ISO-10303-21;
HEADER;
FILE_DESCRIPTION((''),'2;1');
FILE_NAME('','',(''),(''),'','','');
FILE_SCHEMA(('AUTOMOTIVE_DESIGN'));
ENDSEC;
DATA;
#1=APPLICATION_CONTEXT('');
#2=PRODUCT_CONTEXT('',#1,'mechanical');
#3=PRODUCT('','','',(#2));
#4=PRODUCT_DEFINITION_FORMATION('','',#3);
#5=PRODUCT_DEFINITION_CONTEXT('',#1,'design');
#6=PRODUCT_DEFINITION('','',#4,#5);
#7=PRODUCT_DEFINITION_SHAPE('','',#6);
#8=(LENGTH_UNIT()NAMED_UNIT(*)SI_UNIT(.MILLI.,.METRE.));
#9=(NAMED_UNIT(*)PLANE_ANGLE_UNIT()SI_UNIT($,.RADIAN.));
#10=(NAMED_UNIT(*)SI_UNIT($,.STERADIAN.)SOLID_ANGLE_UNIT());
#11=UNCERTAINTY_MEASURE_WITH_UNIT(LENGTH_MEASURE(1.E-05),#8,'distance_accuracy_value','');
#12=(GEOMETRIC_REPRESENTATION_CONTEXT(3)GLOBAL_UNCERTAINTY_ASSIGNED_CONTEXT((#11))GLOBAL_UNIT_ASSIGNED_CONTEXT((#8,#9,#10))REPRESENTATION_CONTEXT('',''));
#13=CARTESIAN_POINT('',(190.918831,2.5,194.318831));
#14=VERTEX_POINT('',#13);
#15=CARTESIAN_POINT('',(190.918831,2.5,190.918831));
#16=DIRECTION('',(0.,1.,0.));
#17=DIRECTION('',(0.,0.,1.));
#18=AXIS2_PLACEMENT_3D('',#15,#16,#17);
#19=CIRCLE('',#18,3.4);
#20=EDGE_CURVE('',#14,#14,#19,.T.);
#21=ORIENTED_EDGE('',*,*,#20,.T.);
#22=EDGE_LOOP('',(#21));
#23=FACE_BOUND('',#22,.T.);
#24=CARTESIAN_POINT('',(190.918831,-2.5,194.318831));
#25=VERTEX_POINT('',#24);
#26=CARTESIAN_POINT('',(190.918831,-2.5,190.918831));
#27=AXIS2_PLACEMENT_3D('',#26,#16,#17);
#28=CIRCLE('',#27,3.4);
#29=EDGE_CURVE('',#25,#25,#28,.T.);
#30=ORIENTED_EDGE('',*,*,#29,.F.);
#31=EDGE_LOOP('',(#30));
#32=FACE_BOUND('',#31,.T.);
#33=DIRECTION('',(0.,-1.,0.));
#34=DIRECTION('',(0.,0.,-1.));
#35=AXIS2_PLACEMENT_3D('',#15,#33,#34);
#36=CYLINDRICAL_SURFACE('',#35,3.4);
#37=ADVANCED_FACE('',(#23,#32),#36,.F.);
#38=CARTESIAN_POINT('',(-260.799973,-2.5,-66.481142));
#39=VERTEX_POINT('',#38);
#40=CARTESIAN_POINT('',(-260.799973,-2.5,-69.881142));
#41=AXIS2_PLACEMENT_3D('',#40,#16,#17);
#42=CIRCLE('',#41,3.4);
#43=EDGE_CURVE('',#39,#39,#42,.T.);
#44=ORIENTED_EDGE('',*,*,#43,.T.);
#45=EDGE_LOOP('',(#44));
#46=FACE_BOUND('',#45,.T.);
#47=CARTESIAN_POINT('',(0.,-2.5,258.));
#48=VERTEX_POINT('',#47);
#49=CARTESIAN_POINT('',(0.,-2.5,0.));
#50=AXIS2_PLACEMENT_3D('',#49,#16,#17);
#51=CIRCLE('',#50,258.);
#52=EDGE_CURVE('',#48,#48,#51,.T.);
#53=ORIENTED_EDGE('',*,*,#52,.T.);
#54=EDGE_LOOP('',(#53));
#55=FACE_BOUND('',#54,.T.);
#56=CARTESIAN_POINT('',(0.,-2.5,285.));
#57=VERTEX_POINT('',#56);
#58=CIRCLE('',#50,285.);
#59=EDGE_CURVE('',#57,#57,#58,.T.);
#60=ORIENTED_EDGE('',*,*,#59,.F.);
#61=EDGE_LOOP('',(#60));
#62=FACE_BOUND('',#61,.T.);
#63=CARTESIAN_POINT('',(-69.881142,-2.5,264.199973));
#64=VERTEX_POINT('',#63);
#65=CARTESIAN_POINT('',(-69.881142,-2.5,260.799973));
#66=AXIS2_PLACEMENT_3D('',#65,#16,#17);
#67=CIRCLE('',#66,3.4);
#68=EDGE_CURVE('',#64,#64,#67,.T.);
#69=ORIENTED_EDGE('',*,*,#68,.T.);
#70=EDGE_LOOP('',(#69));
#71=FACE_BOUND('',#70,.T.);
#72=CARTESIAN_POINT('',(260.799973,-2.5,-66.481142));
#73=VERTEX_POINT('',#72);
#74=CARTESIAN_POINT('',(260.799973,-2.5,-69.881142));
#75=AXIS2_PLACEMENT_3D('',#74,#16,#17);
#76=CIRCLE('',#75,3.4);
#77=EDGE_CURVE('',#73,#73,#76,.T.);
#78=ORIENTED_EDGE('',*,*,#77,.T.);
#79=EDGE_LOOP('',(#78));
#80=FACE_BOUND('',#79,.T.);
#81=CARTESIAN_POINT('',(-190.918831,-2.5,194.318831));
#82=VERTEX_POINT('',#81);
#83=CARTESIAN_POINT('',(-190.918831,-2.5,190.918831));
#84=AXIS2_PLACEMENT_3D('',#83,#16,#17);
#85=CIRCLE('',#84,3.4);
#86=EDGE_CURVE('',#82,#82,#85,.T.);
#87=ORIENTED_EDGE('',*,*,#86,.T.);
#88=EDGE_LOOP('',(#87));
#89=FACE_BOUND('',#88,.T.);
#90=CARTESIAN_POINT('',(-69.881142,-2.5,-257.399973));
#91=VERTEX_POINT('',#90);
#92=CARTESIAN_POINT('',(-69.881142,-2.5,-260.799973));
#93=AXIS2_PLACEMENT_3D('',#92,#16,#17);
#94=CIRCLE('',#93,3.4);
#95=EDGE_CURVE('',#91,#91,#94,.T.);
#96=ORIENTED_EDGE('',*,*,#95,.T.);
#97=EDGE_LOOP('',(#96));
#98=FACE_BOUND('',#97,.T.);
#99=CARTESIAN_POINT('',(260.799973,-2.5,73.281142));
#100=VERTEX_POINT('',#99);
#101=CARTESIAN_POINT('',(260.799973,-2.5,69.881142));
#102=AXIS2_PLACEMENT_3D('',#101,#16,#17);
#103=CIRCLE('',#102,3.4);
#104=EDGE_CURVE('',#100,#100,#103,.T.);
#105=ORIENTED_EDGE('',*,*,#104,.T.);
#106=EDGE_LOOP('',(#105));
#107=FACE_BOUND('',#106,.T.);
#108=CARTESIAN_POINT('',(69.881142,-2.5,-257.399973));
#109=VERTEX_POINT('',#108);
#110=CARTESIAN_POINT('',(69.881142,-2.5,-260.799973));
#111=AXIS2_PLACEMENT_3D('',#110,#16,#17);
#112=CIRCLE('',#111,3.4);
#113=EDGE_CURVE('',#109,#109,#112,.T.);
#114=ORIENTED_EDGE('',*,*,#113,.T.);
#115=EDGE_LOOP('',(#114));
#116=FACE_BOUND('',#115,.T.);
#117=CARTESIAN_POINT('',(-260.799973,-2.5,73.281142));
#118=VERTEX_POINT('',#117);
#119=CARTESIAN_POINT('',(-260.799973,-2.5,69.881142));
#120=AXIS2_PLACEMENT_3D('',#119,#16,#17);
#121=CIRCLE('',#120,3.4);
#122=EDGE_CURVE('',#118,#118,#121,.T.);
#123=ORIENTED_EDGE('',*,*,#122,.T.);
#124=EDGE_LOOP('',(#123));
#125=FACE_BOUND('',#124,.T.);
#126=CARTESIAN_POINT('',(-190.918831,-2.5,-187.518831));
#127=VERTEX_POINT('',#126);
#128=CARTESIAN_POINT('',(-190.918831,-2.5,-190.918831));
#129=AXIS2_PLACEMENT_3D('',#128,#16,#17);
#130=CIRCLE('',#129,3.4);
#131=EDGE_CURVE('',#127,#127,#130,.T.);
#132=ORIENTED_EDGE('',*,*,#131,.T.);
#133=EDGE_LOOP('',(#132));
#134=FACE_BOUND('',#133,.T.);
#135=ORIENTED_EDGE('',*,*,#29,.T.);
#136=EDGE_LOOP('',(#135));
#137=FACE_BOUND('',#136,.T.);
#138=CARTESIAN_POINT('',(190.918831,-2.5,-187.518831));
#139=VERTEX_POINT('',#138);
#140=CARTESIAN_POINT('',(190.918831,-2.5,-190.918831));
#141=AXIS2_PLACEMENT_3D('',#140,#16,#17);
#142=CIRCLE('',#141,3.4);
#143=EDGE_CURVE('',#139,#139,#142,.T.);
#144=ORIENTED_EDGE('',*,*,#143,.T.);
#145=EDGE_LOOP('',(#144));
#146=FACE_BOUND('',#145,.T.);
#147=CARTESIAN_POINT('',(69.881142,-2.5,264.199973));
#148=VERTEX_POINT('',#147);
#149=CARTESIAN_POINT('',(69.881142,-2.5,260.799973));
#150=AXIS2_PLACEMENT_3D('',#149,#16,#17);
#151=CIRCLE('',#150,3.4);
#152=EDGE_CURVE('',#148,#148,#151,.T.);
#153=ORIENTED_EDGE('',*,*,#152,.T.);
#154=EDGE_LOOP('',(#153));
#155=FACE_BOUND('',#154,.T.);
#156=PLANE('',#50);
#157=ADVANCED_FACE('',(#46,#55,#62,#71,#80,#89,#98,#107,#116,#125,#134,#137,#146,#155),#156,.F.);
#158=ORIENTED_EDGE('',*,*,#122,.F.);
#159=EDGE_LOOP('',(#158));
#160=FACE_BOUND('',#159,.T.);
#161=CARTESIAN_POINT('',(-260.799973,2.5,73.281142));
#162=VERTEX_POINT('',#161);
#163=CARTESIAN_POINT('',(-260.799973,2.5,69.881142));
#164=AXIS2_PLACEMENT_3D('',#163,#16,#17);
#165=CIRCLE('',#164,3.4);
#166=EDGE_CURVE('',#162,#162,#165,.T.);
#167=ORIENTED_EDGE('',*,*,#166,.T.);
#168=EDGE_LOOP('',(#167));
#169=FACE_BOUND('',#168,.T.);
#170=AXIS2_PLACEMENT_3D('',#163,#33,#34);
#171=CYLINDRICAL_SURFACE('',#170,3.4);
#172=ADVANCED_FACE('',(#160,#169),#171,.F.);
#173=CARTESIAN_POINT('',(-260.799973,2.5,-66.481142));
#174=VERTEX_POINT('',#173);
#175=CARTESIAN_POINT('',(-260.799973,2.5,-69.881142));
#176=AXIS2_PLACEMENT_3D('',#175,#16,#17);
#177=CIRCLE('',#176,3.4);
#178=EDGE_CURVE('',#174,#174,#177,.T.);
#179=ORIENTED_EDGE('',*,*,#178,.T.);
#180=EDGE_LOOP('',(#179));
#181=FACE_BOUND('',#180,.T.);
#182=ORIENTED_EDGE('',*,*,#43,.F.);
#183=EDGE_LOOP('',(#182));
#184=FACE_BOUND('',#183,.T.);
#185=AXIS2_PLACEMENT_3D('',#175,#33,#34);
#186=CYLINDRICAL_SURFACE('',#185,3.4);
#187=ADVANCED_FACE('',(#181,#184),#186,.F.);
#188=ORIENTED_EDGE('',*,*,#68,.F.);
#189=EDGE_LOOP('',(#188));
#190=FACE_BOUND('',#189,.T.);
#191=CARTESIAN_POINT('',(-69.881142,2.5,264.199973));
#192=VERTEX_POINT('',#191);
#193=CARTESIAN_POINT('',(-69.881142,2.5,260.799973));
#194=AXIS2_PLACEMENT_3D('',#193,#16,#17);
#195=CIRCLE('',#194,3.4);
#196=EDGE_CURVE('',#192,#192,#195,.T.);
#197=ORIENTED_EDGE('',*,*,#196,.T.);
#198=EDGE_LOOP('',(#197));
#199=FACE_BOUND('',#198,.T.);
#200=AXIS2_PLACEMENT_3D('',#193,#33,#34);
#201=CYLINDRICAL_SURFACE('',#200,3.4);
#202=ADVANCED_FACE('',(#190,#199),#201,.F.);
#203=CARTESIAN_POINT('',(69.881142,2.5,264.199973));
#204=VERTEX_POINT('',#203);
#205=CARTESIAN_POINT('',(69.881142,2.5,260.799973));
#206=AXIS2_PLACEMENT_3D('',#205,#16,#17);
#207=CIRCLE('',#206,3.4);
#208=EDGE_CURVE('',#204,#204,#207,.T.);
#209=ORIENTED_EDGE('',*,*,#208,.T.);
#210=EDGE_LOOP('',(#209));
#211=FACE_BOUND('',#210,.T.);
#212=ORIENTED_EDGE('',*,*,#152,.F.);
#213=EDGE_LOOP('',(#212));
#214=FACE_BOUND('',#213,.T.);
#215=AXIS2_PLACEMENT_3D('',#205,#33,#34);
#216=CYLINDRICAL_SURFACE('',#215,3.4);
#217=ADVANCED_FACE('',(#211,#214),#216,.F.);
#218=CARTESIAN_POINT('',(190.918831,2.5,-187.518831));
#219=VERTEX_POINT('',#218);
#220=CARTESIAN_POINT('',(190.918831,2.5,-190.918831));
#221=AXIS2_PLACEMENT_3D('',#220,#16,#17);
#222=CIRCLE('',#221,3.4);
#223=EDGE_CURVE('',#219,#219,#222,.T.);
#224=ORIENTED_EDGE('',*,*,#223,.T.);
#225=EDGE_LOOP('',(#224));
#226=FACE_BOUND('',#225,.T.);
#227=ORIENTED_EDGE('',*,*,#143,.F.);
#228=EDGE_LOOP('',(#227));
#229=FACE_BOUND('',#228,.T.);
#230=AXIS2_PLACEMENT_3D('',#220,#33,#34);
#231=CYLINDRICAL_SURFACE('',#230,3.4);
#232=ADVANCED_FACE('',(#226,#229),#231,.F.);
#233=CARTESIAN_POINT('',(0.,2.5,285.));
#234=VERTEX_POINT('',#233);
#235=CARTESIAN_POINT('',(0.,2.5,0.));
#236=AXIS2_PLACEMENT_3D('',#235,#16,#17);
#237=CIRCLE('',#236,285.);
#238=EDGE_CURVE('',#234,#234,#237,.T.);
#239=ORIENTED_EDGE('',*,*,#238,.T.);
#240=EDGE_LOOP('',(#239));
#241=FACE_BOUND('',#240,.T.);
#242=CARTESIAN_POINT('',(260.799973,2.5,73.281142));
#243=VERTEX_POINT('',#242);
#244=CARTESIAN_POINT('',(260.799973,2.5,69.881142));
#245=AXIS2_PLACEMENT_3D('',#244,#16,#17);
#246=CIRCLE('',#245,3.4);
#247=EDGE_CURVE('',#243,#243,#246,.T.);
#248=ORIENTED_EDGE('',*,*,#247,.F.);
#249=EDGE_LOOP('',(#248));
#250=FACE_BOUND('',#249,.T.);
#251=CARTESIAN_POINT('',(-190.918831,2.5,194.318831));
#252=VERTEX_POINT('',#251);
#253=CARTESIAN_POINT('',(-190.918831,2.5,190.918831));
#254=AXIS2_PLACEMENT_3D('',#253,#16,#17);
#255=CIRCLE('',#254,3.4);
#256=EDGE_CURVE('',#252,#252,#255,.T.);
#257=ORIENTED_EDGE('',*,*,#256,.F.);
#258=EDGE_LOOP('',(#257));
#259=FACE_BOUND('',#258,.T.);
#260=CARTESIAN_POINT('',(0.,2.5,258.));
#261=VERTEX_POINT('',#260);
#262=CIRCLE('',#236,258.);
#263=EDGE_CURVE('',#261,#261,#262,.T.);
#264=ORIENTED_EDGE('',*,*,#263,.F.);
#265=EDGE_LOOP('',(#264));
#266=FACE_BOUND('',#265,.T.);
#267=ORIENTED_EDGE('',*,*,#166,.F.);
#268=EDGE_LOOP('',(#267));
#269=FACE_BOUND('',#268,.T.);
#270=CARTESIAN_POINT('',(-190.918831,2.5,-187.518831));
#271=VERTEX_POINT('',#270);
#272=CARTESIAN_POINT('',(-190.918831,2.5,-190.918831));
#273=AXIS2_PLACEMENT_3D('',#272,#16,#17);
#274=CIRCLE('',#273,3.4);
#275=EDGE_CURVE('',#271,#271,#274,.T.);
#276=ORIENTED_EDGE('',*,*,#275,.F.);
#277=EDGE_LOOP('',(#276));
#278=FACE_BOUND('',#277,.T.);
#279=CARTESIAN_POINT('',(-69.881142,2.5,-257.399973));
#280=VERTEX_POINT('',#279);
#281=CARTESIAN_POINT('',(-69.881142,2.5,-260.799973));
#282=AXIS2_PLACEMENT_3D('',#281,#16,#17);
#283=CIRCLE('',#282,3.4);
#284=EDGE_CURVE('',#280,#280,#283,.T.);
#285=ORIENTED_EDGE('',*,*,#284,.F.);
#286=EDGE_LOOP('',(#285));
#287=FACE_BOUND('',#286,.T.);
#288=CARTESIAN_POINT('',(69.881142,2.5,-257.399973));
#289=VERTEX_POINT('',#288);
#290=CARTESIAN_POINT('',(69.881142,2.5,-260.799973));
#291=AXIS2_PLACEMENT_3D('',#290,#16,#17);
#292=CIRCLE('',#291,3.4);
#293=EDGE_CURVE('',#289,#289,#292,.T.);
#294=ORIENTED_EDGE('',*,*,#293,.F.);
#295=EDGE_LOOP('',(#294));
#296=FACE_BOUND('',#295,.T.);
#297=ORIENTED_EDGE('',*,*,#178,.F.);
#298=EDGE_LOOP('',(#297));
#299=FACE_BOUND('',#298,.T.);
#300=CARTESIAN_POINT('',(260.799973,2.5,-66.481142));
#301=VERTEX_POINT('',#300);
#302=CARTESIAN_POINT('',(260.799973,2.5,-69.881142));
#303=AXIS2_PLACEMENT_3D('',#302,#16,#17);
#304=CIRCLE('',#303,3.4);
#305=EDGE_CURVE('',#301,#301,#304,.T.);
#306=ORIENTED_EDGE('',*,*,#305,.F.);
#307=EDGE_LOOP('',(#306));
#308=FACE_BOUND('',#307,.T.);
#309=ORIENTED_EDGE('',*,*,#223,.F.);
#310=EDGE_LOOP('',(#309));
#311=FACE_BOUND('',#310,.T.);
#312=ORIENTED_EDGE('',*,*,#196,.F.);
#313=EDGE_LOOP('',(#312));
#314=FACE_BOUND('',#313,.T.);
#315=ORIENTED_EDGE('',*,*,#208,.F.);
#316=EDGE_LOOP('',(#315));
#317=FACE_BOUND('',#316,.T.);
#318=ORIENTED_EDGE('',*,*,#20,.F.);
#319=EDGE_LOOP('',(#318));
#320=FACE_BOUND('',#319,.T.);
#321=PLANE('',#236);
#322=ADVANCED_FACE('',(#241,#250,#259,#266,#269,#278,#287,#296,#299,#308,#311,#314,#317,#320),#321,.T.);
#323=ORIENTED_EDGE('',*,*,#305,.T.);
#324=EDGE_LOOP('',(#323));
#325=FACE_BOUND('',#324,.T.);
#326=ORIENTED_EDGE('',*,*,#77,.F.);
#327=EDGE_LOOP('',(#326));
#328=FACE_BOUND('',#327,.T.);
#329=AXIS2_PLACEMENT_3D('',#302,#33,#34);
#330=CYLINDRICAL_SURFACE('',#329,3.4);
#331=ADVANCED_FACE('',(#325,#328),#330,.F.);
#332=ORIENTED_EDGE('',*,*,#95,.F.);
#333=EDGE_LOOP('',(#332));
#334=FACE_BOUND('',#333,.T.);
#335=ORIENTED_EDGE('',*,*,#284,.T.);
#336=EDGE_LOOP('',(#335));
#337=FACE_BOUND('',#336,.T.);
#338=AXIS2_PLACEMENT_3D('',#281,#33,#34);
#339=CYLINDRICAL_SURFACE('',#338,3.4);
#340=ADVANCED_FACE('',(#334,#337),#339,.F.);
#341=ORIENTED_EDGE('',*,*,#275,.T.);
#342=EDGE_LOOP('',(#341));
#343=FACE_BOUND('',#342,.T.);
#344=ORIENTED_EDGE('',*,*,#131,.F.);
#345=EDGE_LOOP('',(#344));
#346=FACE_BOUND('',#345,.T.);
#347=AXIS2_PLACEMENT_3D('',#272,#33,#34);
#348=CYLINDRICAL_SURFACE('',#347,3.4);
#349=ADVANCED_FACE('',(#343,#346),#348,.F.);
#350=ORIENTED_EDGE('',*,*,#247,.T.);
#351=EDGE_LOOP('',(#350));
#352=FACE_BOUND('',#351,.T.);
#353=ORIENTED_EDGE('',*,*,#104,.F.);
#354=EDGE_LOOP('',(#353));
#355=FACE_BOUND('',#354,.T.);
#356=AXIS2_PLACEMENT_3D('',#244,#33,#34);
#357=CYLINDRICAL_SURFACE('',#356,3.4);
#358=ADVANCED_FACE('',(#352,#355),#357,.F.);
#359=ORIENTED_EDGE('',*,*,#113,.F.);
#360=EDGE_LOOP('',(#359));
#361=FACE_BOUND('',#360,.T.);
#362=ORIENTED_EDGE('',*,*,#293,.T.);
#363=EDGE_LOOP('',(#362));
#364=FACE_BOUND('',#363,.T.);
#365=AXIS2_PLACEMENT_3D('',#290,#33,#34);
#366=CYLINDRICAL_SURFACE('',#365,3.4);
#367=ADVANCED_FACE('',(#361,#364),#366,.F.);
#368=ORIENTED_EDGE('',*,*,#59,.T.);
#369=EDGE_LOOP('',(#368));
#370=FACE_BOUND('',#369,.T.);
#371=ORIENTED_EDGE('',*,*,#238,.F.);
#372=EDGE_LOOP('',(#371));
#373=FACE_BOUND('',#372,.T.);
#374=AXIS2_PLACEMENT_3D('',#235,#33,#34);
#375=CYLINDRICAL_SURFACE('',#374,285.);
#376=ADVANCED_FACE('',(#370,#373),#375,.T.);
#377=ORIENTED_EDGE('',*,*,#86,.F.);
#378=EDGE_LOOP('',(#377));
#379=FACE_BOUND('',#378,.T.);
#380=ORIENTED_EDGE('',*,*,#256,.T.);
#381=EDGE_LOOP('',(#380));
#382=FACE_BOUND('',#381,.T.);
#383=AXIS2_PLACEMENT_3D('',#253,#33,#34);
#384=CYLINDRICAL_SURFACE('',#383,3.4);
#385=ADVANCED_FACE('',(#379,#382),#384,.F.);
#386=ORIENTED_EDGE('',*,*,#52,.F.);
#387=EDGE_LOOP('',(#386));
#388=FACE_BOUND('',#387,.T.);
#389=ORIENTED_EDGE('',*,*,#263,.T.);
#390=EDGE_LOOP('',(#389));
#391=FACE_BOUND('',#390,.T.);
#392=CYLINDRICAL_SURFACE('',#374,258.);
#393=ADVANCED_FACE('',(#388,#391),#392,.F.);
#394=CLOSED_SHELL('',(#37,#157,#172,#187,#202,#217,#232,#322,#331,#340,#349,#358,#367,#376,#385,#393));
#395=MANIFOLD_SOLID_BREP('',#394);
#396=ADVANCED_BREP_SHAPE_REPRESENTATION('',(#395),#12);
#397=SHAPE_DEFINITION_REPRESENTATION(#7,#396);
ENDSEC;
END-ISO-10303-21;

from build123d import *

# Parameters (mm, degrees)
SCHIZZO1_R                   = 258
SCHIZZO1_R_2                 = 3.4
ESTRUSIONE_ESTRUSIONE1_DEPTH = 2.5


with BuildPart() as part:
    # Schizzo1 → Estrusione-Estrusione1 (new, symmetric)
    with BuildSketch(Plane(origin=(0, 0, 0), x_dir=(1, 0, 0), z_dir=(0, 1, 0))):
        with BuildLine():
            ThreePointArc((-285, 0), (0, -285), (285, 0))
            ThreePointArc((285, 0), (0, 285), (-285, 0))
        make_face()
        with Locations(Location((0, 0, 0), (0, 0, 270))):
            Circle(SCHIZZO1_R, mode=Mode.SUBTRACT)
        with Locations(Location((-260.799973098, 69.881142178, 0), (0, 0, 270))):
            Circle(SCHIZZO1_R_2, mode=Mode.SUBTRACT)
        with Locations(Location((-190.91883092, 190.91883092, 0), (0, 0, 270))):
            Circle(SCHIZZO1_R_2, mode=Mode.SUBTRACT)
        with Locations(Location((-69.881142178, 260.799973098, 0), (0, 0, 270))):
            Circle(SCHIZZO1_R_2, mode=Mode.SUBTRACT)
        with Locations(Location((69.881142178, 260.799973098, 0), (0, 0, 270))):
            Circle(SCHIZZO1_R_2, mode=Mode.SUBTRACT)
        with Locations(Location((190.91883092, 190.91883092, 0), (0, 0, 270))):
            Circle(SCHIZZO1_R_2, mode=Mode.SUBTRACT)
        with Locations(Location((260.799973098, 69.881142178, 0), (0, 0, 270))):
            Circle(SCHIZZO1_R_2, mode=Mode.SUBTRACT)
        with Locations(Location((260.799973098, -69.881142178, 0), (0, 0, 270))):
            Circle(SCHIZZO1_R_2, mode=Mode.SUBTRACT)
        with Locations(Location((190.91883092, -190.91883092, 0), (0, 0, 270))):
            Circle(SCHIZZO1_R_2, mode=Mode.SUBTRACT)
        with Locations(Location((69.881142178, -260.799973098, 0), (0, 0, 270))):
            Circle(SCHIZZO1_R_2, mode=Mode.SUBTRACT)
        with Locations(Location((-69.881142178, -260.799973098, 0), (0, 0, 270))):
            Circle(SCHIZZO1_R_2, mode=Mode.SUBTRACT)
        with Locations(Location((-190.91883092, -190.91883092, 0), (0, 0, 270))):
            Circle(SCHIZZO1_R_2, mode=Mode.SUBTRACT)
        with Locations(Location((-260.799973098, -69.881142178, 0), (0, 0, 270))):
            Circle(SCHIZZO1_R_2, mode=Mode.SUBTRACT)
    extrude(amount=ESTRUSIONE_ESTRUSIONE1_DEPTH, both=True)


solid = part.part
